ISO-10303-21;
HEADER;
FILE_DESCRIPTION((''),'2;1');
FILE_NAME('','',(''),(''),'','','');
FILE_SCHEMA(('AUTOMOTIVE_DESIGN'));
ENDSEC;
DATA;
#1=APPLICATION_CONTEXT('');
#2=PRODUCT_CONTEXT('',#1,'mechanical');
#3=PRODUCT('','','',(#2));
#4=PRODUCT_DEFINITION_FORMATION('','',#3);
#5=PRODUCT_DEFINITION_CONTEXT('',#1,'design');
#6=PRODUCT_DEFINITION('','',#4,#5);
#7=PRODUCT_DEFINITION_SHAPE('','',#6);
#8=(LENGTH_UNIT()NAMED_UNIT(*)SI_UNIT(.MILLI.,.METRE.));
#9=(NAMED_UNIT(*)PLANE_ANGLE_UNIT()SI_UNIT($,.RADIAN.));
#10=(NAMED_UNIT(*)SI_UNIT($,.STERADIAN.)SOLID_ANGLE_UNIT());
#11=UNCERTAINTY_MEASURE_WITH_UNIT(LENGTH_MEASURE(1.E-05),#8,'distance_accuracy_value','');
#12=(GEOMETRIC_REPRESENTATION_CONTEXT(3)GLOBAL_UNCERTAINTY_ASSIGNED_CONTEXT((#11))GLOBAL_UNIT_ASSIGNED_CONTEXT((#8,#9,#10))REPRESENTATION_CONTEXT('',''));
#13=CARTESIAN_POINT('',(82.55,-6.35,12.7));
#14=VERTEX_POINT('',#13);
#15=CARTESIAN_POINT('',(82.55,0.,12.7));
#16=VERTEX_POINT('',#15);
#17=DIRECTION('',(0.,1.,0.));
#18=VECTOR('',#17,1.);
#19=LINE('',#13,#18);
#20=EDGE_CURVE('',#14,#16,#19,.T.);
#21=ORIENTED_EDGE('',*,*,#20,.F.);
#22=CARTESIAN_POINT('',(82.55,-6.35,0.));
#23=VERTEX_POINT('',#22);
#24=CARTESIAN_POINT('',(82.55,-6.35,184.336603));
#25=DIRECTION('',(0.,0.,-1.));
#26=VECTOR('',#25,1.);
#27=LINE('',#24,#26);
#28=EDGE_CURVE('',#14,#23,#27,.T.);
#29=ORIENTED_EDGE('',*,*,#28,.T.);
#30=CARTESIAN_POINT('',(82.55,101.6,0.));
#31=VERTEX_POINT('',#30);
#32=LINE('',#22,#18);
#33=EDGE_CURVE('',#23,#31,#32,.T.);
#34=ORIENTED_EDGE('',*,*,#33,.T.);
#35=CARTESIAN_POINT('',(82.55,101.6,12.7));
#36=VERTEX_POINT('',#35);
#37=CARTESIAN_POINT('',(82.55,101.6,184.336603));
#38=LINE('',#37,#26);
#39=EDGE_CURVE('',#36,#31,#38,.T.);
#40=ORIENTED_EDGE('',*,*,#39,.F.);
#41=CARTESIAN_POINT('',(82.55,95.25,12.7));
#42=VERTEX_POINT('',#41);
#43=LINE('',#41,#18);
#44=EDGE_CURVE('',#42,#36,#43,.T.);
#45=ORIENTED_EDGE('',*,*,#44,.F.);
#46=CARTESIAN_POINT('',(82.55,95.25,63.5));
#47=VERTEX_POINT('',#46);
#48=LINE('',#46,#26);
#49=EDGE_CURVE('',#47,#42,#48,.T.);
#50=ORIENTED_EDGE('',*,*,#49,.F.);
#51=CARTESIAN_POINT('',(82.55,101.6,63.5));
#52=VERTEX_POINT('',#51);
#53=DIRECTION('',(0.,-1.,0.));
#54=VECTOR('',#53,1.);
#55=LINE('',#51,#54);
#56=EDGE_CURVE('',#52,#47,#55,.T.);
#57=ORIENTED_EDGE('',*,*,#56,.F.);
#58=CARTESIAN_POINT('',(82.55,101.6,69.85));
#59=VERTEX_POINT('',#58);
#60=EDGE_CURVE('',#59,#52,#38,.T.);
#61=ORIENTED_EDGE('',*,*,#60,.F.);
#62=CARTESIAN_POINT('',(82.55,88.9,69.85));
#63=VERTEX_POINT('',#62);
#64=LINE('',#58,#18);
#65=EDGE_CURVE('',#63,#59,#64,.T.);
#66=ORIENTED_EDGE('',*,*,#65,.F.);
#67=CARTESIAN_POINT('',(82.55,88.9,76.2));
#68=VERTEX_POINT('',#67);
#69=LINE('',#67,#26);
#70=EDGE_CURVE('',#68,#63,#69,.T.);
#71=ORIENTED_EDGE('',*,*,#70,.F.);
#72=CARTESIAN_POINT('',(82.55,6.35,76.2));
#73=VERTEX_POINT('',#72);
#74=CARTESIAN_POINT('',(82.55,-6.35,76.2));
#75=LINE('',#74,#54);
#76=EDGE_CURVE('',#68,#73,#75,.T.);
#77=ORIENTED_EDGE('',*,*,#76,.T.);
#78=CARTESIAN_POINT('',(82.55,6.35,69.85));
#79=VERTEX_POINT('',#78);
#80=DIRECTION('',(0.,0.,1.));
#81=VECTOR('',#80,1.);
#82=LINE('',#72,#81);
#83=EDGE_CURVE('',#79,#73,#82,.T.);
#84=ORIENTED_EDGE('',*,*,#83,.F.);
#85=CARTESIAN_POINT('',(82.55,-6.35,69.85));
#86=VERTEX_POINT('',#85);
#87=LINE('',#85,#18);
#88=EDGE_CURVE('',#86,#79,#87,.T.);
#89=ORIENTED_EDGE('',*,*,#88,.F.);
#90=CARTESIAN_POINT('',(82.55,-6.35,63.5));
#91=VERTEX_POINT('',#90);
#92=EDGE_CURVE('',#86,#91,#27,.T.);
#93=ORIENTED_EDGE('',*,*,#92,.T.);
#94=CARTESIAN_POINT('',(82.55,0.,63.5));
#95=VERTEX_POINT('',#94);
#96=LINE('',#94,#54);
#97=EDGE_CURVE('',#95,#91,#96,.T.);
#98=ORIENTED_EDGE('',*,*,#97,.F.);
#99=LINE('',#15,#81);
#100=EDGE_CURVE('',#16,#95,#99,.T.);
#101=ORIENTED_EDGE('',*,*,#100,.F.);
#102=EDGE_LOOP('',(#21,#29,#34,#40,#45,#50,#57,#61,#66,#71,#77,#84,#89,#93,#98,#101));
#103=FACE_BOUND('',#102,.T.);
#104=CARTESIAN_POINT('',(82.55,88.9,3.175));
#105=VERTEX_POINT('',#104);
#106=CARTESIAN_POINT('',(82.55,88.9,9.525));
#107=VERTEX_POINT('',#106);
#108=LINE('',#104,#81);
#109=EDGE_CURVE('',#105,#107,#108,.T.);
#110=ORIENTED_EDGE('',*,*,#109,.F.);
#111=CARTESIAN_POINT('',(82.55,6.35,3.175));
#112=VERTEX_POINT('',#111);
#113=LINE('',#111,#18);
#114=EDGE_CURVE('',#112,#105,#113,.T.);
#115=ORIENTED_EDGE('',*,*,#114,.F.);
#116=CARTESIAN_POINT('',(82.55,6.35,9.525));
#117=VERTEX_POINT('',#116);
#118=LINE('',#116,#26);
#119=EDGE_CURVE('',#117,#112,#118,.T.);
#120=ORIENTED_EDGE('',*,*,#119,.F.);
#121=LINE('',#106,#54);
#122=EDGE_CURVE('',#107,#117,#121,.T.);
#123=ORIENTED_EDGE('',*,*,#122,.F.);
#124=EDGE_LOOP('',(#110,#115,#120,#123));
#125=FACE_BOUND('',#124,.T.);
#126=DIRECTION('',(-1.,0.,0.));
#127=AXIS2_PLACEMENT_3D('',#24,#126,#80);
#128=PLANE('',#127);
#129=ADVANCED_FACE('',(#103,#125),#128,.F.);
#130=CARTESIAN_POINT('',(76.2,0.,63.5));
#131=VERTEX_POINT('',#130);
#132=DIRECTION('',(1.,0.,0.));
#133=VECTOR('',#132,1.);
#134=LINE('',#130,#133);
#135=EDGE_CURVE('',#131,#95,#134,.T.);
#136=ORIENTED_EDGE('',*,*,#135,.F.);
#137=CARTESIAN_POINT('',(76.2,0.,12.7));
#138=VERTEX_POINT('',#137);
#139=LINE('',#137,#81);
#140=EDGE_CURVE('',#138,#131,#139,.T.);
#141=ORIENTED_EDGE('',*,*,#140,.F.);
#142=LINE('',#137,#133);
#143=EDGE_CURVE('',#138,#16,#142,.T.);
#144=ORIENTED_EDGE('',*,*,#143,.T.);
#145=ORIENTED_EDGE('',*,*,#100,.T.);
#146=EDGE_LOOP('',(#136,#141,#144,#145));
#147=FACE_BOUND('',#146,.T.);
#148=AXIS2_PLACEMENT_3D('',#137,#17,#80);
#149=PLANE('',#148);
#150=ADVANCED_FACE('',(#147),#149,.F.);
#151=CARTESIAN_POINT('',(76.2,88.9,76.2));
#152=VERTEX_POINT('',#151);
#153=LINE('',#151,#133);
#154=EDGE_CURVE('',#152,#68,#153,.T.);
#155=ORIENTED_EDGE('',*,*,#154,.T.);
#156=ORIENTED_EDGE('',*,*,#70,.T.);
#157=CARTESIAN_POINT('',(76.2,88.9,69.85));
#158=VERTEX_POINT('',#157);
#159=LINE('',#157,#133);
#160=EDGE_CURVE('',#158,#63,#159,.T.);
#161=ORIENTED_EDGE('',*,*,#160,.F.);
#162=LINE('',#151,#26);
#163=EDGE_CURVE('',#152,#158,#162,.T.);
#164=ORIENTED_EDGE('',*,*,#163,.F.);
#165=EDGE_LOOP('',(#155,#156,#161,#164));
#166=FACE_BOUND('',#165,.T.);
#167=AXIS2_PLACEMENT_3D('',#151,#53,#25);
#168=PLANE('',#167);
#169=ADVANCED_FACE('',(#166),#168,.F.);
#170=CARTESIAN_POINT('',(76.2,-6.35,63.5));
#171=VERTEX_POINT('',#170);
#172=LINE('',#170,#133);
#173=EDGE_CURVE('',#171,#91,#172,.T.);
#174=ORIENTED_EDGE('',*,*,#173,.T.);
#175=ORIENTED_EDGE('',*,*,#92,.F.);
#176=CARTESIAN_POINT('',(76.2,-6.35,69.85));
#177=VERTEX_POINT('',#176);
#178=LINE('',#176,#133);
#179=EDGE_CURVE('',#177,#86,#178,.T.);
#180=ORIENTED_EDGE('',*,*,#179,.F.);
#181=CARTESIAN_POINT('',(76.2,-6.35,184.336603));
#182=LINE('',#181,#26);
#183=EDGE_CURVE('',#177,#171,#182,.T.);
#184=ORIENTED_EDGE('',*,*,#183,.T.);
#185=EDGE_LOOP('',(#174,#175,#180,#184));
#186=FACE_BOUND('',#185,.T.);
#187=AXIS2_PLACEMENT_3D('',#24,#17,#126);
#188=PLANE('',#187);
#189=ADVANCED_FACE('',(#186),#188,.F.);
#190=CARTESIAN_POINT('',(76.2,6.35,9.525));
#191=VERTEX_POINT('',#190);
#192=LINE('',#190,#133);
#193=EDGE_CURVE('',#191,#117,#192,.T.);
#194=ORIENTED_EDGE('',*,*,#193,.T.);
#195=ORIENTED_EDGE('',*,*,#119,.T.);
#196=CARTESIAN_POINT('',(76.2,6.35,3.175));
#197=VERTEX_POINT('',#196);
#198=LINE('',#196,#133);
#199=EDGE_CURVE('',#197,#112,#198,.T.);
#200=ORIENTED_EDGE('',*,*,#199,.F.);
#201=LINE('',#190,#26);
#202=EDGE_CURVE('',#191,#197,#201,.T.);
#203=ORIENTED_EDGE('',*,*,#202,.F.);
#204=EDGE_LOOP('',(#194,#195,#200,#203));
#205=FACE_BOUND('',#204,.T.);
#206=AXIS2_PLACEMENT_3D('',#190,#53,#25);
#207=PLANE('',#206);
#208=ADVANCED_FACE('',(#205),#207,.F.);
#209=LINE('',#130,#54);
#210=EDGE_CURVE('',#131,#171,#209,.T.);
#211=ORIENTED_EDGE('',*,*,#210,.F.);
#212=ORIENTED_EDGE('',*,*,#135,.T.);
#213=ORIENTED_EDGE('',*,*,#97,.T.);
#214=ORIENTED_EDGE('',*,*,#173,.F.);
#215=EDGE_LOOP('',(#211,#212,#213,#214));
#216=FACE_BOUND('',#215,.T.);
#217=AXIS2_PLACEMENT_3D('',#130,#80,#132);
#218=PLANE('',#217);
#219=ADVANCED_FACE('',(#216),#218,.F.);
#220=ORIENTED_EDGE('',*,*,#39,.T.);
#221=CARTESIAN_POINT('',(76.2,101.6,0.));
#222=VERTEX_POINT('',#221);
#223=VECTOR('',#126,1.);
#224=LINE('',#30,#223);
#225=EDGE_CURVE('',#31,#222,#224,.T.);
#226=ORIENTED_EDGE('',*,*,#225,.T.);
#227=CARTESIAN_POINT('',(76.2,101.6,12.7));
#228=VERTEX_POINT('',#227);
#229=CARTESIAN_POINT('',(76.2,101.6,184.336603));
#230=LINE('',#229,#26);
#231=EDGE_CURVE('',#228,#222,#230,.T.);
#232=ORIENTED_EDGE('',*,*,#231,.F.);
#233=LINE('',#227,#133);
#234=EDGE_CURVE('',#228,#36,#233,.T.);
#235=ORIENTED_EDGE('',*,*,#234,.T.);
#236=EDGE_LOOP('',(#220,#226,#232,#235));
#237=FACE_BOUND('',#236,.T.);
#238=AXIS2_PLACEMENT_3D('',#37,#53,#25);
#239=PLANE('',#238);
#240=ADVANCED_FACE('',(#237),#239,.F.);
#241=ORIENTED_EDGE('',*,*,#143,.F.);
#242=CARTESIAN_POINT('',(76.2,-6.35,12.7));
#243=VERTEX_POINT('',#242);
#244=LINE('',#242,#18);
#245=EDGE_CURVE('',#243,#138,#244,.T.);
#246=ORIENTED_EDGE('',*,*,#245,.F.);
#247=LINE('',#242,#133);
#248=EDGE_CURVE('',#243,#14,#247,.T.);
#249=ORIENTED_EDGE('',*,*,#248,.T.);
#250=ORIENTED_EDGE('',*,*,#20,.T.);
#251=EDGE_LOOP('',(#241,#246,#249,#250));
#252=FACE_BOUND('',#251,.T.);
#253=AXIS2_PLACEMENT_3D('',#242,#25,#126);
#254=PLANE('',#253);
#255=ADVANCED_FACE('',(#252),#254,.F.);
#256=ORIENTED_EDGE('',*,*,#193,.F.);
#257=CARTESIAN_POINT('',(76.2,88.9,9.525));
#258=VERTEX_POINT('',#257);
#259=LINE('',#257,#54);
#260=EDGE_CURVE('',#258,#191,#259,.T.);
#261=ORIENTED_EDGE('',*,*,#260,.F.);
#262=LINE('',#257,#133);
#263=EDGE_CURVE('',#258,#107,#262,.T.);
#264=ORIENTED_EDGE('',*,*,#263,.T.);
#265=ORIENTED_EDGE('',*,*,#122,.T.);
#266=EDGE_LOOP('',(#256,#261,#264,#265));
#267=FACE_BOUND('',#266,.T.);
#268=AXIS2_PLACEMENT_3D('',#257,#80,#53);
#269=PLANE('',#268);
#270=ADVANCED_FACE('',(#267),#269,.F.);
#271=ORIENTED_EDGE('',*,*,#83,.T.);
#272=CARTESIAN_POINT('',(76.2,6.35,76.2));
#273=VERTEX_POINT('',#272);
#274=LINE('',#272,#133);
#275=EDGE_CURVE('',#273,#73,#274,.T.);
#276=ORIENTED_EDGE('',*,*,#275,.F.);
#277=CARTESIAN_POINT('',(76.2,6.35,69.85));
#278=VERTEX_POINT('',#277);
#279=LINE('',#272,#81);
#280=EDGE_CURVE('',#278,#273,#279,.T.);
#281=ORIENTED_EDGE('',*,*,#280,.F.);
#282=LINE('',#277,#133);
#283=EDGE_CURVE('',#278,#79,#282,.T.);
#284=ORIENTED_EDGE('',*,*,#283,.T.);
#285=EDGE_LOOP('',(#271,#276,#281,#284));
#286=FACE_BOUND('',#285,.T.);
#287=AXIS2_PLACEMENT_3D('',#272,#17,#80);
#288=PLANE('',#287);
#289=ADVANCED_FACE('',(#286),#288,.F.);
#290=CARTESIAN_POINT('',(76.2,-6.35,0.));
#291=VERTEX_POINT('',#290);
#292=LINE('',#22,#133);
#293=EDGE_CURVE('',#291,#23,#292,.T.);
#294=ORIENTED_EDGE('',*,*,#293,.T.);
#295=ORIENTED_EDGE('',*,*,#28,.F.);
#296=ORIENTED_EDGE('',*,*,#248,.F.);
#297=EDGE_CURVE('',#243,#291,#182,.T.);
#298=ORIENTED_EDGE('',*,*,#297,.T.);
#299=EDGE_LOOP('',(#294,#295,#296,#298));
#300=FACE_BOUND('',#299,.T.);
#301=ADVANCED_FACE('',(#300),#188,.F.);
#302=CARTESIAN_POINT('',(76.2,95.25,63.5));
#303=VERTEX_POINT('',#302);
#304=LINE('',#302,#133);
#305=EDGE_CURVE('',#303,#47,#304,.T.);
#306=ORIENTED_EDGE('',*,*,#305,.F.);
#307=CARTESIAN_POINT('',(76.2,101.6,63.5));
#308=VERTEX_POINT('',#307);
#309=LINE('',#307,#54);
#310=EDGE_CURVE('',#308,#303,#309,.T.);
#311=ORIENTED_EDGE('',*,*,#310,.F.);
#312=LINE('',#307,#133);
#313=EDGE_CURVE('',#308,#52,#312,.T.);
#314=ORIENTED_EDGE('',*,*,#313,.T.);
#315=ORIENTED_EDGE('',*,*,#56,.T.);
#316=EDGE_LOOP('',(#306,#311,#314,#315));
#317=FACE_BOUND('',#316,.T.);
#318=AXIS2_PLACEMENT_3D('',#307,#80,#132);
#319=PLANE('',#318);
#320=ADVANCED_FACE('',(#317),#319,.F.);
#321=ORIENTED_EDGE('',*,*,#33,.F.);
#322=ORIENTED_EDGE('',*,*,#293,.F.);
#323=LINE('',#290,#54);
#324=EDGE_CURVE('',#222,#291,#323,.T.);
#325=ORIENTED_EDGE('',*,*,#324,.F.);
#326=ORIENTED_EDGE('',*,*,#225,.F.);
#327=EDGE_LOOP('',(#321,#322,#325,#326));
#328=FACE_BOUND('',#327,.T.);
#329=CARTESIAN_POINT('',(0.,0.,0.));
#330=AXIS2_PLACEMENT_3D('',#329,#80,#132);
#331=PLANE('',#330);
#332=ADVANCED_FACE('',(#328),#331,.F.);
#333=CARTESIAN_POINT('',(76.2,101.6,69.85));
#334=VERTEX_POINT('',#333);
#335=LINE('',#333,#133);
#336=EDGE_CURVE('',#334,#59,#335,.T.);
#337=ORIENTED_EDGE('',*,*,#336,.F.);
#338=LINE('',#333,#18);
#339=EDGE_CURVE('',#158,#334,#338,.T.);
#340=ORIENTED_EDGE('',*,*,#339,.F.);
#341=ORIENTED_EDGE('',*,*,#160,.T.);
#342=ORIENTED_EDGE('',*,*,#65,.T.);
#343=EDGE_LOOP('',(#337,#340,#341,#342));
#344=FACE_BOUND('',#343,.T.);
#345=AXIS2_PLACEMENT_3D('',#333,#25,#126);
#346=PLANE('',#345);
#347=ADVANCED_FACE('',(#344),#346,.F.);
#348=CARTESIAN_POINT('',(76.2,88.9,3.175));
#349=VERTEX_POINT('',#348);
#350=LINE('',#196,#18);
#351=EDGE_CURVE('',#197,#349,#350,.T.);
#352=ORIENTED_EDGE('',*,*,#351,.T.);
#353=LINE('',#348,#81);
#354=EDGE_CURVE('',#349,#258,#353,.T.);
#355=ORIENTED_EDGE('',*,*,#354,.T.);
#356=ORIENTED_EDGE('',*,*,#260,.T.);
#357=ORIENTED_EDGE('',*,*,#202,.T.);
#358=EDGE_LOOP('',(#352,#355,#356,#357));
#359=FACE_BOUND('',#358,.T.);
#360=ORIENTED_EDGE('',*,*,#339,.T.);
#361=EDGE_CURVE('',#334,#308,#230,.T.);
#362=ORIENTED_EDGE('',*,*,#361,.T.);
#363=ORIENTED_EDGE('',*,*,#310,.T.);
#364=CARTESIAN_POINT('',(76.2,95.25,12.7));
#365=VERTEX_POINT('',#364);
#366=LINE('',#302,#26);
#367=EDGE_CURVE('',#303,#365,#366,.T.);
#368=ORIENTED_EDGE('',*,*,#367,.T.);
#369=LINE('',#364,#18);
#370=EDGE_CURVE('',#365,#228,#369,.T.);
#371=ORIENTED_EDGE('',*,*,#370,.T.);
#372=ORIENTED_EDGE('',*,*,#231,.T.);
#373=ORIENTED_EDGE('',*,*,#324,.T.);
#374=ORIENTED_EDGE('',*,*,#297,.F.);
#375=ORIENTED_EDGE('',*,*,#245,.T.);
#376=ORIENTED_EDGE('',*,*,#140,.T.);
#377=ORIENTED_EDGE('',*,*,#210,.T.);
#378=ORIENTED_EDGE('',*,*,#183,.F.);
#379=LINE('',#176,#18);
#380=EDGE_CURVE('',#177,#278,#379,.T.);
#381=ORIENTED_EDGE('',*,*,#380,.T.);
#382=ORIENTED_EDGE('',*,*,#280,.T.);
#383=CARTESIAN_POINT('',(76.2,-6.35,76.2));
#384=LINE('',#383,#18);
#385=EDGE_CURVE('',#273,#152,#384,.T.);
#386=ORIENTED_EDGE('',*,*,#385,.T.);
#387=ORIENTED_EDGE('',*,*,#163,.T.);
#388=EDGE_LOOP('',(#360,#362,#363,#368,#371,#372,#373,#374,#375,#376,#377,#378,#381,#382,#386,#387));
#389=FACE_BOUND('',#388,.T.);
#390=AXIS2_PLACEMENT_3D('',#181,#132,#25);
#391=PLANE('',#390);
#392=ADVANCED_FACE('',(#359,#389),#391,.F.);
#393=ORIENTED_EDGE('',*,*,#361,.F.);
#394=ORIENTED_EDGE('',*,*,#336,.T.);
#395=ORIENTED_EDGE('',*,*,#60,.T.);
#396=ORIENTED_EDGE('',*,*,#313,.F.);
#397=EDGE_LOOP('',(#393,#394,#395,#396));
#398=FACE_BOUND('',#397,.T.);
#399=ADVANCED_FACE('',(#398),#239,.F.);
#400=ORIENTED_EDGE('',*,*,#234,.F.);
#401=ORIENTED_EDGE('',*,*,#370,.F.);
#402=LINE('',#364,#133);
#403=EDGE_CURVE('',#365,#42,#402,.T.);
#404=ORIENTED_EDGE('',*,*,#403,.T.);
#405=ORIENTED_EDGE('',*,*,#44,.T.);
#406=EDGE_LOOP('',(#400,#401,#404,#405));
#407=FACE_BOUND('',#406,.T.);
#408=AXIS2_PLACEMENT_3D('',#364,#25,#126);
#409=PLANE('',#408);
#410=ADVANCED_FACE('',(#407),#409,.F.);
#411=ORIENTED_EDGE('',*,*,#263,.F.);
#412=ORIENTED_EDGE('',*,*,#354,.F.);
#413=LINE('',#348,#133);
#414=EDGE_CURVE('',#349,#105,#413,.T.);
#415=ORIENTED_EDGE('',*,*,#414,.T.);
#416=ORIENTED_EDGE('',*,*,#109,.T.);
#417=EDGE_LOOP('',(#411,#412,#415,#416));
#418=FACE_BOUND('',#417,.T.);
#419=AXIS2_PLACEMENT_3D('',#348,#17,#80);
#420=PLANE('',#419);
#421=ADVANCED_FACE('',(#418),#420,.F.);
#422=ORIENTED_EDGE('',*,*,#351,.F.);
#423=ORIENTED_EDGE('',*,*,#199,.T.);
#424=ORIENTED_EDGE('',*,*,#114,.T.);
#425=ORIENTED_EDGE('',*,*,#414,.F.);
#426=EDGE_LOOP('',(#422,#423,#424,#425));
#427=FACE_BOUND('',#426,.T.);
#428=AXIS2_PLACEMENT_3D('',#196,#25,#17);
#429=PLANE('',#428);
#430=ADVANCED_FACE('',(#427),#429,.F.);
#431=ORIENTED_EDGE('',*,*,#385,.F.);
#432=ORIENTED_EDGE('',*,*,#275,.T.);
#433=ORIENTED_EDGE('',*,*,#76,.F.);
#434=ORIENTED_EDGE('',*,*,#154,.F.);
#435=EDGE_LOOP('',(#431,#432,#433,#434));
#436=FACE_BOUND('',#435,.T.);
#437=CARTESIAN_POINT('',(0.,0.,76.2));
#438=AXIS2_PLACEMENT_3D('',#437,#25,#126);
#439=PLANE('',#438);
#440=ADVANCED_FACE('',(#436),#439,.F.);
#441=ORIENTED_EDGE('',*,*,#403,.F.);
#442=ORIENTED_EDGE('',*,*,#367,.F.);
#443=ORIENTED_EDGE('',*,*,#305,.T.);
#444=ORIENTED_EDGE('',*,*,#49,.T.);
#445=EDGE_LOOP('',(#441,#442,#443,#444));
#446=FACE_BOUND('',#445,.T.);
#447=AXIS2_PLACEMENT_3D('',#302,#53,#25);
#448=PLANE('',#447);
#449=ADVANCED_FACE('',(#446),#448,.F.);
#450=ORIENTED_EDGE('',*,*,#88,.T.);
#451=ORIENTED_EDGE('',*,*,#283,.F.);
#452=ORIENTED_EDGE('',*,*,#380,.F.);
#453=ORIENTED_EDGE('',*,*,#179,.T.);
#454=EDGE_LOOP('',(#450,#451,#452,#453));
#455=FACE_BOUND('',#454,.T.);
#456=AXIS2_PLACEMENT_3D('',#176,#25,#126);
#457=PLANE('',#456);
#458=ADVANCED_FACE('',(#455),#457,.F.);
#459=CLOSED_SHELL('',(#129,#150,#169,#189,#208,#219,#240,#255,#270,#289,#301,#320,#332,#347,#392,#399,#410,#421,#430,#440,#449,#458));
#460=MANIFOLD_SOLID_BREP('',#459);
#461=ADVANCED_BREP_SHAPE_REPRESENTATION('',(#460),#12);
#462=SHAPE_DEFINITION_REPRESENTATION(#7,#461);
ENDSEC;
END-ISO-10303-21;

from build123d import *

# Parameters (mm, degrees)
SKETCH1_W           = 6.35
SKETCH1_H           = 107.95
BOSS_EXTRUDE1_DEPTH = 76.2
SKETCH2_W           = 6.35
SKETCH2_H           = 12.7
SKETCH2_W_2         = 50.8
SKETCH2_H_2         = 6.35
SKETCH2_H_3         = 82.55
CUT_EXTRUDE1_DEPTH  = 128.158650905


with BuildPart() as part:
    # Sketch1 → Boss-Extrude1 (new body)
    with BuildSketch(Plane.XY):
        with Locations((79.375, 47.625)):
            Rectangle(SKETCH1_W, SKETCH1_H)
    extrude(amount=BOSS_EXTRUDE1_DEPTH)

    # Sketch2 → Cut-Extrude1 (cut, through all)
    with BuildSketch(Plane(origin=(82.55, 0, 0), x_dir=(0, 0, -1), z_dir=(1, 0, 0))):
        with Locations((-73.025, 95.25)):
            Rectangle(SKETCH2_W, SKETCH2_H)
        with Locations((-73.025, 0)):
            Rectangle(SKETCH2_W, SKETCH2_H)
        with Locations((-38.1, 98.425)):
            Rectangle(SKETCH2_W_2, SKETCH2_H_2)
        with Locations((-6.35, 47.625)):
            Rectangle(SKETCH2_W, SKETCH2_H_3)
        with Locations((-38.1, -3.175)):
            Rectangle(SKETCH2_W_2, SKETCH2_H_2)
    extrude(amount=-CUT_EXTRUDE1_DEPTH, mode=Mode.SUBTRACT)


solid = part.part
